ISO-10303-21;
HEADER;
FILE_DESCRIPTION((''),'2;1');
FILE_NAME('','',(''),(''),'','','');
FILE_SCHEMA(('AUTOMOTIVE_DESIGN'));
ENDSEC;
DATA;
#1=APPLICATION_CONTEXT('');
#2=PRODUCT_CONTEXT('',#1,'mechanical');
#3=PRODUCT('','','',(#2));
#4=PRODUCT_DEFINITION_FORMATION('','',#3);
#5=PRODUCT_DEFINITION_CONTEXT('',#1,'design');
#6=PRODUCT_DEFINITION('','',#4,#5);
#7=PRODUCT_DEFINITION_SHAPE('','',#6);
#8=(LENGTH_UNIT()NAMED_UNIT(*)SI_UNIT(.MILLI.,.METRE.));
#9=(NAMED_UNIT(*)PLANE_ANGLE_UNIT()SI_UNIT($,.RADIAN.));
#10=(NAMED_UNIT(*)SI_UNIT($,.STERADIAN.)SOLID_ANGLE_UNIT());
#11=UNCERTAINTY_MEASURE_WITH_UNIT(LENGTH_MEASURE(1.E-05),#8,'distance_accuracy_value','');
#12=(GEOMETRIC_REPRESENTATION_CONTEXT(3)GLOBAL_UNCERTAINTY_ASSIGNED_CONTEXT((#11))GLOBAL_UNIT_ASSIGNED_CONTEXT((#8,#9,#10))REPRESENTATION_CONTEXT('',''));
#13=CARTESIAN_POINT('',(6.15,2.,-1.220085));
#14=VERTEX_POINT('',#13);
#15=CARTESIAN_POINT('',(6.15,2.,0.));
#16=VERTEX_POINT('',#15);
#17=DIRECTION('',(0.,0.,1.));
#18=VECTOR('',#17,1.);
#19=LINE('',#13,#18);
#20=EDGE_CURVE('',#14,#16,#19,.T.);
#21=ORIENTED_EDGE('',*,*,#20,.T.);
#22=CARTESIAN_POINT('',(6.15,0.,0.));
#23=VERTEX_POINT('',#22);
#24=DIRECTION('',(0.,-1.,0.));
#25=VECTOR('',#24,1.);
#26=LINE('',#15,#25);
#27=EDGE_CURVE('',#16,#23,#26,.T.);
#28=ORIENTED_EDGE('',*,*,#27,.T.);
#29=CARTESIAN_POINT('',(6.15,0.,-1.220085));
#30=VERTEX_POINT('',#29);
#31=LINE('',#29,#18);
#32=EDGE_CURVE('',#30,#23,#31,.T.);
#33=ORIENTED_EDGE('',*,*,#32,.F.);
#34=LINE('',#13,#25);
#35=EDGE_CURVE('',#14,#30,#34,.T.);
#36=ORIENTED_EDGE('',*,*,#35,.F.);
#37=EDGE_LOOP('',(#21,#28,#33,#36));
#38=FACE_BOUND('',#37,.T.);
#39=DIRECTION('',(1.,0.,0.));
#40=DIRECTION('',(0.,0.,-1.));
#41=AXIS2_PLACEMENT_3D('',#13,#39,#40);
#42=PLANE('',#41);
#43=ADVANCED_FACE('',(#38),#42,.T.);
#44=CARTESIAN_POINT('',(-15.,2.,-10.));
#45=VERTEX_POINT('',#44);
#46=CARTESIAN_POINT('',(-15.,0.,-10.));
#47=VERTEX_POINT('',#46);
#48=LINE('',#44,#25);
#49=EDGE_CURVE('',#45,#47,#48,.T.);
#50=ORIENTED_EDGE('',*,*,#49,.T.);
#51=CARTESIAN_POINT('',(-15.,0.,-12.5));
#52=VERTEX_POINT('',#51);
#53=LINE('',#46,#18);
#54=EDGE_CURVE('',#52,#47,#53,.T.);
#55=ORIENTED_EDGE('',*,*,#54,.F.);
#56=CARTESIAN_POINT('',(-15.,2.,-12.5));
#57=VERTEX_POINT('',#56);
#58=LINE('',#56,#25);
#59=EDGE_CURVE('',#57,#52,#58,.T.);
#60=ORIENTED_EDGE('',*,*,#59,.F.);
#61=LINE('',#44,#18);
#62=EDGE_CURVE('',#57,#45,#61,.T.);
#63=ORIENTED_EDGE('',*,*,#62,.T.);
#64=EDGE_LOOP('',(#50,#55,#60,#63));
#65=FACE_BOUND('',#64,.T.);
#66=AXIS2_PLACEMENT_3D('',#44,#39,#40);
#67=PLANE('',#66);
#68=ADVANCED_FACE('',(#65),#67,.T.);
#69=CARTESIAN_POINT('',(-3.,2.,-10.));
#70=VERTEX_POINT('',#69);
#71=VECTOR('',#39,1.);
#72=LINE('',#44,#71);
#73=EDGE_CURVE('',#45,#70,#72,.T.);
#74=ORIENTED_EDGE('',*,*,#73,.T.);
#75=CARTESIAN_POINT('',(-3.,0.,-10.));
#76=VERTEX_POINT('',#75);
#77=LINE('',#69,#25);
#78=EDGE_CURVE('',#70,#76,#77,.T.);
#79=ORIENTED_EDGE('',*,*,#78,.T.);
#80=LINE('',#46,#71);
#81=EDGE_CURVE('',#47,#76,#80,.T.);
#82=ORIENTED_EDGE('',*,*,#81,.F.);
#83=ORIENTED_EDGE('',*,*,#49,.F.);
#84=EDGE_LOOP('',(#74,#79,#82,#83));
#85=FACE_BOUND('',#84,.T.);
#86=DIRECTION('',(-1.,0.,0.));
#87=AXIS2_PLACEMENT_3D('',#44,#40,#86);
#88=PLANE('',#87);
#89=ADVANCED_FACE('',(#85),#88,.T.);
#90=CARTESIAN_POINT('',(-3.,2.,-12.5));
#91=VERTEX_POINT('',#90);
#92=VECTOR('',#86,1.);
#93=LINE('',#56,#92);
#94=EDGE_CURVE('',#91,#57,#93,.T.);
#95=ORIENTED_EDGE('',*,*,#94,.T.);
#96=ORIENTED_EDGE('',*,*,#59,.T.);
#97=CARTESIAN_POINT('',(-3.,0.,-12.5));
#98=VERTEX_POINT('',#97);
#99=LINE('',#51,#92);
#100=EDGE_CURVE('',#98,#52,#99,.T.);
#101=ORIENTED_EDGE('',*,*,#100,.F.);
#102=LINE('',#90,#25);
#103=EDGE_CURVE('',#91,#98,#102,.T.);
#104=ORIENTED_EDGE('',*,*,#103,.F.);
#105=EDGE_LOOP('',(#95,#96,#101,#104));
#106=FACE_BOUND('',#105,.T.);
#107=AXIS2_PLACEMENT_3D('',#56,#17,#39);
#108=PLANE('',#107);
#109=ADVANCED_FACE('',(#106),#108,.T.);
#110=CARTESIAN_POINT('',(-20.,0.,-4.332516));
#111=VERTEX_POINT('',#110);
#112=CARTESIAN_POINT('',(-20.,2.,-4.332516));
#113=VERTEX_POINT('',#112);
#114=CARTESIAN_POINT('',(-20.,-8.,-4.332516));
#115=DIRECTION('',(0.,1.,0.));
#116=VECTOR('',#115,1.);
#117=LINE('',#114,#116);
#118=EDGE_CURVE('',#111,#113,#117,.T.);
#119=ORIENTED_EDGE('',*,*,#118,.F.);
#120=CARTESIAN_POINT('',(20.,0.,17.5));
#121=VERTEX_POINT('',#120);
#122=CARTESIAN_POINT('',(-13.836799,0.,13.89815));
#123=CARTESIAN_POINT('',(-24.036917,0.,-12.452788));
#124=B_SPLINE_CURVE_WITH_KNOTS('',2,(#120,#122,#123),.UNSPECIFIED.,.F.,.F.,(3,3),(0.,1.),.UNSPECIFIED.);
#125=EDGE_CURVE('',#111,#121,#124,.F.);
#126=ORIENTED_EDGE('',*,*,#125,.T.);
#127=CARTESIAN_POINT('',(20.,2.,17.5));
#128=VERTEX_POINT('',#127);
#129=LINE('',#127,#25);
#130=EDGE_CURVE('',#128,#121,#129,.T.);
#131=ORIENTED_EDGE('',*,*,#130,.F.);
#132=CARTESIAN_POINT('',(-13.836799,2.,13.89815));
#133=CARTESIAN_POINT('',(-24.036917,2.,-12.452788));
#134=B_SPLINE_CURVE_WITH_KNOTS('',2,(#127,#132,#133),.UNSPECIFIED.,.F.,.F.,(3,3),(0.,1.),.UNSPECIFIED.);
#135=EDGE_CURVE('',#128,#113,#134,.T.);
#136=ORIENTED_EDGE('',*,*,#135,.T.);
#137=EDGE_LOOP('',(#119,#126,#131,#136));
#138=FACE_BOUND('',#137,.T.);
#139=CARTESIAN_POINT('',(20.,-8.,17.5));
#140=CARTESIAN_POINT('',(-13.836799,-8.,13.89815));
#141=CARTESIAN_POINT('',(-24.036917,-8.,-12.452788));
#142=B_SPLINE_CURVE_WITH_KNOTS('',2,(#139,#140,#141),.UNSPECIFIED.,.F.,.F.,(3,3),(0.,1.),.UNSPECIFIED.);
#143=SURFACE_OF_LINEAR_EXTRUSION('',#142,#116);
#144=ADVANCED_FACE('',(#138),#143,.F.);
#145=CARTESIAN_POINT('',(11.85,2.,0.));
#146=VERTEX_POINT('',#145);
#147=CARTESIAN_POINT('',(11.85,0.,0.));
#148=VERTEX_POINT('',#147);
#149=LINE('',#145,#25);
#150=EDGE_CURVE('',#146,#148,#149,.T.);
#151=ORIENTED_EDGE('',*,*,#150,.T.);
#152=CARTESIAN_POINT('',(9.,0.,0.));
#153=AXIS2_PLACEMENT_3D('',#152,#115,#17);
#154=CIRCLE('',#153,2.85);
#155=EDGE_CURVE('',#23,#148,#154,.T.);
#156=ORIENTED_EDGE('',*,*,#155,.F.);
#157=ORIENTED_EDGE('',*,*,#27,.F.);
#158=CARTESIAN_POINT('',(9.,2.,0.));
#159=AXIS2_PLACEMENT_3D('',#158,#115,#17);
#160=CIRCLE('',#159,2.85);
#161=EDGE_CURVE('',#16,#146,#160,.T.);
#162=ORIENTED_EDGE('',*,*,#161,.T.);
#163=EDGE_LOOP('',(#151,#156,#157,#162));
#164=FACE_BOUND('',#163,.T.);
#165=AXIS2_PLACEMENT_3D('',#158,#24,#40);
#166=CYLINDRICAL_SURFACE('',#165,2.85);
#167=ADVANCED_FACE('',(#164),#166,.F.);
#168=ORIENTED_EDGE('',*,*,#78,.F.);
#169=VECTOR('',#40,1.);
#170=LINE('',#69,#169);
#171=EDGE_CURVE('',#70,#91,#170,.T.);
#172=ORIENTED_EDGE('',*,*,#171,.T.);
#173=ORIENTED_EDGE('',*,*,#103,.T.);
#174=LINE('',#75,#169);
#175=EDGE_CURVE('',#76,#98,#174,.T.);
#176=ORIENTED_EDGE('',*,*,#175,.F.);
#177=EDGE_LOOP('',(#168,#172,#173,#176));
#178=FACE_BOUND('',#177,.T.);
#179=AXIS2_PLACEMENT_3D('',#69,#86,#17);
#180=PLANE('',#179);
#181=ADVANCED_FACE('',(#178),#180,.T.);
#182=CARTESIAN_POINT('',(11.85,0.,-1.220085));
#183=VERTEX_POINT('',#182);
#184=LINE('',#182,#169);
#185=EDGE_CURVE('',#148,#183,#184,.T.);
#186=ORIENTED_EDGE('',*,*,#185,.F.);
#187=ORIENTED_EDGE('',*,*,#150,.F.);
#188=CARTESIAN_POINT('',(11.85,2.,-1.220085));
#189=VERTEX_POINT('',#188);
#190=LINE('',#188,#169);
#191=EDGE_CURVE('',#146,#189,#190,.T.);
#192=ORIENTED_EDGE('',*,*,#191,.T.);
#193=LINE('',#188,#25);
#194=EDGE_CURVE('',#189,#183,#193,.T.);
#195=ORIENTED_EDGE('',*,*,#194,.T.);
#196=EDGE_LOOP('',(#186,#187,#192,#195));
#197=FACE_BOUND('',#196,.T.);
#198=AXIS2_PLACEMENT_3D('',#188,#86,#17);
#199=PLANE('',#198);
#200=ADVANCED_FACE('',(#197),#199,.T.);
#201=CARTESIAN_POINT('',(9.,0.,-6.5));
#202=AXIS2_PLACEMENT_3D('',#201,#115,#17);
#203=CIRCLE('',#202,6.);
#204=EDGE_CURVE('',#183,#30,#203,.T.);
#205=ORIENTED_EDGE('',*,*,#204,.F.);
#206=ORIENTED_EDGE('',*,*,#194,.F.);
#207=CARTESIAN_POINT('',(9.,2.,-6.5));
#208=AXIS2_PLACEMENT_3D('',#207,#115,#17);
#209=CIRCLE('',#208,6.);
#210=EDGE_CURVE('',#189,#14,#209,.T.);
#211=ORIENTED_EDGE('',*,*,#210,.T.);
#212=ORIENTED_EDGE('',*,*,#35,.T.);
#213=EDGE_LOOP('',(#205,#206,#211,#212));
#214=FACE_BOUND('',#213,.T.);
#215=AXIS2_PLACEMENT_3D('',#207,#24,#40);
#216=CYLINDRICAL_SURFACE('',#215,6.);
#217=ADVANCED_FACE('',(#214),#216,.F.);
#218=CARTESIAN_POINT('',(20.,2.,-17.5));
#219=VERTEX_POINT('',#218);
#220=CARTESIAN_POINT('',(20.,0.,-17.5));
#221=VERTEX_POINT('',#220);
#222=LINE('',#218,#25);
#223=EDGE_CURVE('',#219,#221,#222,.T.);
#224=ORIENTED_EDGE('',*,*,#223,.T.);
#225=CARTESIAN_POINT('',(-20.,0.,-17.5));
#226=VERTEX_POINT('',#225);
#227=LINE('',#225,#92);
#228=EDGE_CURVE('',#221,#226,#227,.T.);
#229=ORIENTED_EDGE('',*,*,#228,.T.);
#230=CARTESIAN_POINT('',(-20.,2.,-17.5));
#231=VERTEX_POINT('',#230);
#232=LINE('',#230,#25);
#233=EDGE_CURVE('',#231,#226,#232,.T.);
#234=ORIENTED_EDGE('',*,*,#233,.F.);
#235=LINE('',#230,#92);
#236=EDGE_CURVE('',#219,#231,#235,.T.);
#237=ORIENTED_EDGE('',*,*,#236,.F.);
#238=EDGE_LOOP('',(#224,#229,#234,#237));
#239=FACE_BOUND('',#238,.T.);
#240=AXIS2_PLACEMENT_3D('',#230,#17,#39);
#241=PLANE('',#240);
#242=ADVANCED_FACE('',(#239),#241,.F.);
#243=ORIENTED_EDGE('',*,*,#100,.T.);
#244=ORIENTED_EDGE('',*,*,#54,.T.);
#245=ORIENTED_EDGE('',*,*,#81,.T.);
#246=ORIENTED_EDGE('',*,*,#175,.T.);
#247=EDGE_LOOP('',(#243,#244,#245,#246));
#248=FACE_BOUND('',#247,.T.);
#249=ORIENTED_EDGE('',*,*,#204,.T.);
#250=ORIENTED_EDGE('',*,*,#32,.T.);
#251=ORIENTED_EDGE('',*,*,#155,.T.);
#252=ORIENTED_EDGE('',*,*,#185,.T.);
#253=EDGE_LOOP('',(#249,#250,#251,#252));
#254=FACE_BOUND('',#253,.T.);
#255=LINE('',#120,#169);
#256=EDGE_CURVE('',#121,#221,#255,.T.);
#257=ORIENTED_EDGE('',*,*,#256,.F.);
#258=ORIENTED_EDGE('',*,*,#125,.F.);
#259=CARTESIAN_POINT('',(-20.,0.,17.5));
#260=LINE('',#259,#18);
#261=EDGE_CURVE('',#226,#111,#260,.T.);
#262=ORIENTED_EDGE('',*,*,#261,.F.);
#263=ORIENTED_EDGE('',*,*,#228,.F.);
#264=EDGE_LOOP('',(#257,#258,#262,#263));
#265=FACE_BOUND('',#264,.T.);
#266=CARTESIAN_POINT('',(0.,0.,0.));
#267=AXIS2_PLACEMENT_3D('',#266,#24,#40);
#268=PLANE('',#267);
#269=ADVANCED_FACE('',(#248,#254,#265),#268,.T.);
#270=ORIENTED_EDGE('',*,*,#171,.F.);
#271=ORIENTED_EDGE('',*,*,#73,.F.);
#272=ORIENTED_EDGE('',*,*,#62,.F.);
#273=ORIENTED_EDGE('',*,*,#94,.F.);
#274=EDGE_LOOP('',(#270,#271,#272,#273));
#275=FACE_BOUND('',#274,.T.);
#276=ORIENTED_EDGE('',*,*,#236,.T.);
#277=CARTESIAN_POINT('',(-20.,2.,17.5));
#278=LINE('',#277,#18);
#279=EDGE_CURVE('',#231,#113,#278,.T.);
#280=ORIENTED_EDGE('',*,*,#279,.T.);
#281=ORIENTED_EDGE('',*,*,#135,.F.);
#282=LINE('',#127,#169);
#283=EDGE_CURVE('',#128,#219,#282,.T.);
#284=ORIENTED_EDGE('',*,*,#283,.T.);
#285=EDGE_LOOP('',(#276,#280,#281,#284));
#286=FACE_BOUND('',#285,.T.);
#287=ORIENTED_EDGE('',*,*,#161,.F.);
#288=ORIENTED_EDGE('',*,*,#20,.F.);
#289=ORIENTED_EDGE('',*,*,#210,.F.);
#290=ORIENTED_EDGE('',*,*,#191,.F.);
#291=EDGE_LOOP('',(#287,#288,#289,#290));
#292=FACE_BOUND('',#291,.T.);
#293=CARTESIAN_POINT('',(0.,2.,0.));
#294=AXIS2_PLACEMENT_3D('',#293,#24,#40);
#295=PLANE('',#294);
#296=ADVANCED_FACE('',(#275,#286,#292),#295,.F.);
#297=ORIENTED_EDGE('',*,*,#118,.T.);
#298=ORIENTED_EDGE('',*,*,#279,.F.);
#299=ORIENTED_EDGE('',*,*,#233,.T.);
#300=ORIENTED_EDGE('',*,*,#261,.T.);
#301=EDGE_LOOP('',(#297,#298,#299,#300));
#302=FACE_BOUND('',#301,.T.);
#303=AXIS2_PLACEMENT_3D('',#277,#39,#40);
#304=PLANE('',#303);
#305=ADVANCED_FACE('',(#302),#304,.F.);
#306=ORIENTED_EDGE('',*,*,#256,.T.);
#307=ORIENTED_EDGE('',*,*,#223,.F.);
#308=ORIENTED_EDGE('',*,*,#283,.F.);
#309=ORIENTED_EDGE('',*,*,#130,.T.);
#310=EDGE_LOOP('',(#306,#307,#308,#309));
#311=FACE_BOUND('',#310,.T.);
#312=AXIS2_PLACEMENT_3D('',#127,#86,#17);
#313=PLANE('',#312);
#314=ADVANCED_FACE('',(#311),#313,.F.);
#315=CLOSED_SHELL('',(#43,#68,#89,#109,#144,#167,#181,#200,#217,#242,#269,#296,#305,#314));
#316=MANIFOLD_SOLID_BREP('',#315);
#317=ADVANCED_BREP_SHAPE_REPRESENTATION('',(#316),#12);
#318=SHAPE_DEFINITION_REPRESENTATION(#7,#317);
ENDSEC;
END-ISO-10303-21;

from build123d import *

# Parameters (mm, degrees)
ESQUISSE1_W             = 40
ESQUISSE1_H             = 35
ESQUISSE1_W_2           = 12
ESQUISSE1_H_2           = 2.5
BOSS_EXTRU_1_DEPTH      = 2
ENL_V_MAT_EXTRU_1_DEPTH = 10


with BuildPart() as part:
    # Esquisse1 → Boss.-Extru.1 (new body)
    with BuildSketch(Plane(origin=(0, 0, 0), x_dir=(1, 0, 0), z_dir=(0, 1, 0))):
        Rectangle(ESQUISSE1_W, ESQUISSE1_H)
        with BuildLine():
            Line((6.15, 1.220085228), (6.15, 0))
            ThreePointArc((6.15, 0), (9, -2.85), (11.85, 0))
            Line((11.85, 0), (11.85, 1.220085228))
            ThreePointArc((11.85, 1.220085228), (9, 12.5), (6.15, 1.220085228))
        make_face(mode=Mode.SUBTRACT)
        with Locations((-9, 11.25)):
            Rectangle(ESQUISSE1_W_2, ESQUISSE1_H_2, mode=Mode.SUBTRACT)
    extrude(amount=BOSS_EXTRU_1_DEPTH)

    # Esquisse2 → Enlèv. mat.-Extru.1 (cut)
    with BuildSketch(Plane(origin=(0, 2, 0), x_dir=(1, 0, 0), z_dir=(0, 1, 0))):
        with BuildLine():
            Line((-24.036917244, 12.452787924), (-23.501994654, -22.917521082))
            Line((-23.501994654, -22.917521082), (20, -17.5))
            add(Edge.make_bspline(
                [(20, -17.5), (-13.836799154, -13.898150417), (-24.036917244, 12.452787924)],
                knots=[0, 0, 0, 1, 1, 1], degree=2))
        make_face()
    extrude(amount=-ENL_V_MAT_EXTRU_1_DEPTH, mode=Mode.SUBTRACT)


solid = part.part
